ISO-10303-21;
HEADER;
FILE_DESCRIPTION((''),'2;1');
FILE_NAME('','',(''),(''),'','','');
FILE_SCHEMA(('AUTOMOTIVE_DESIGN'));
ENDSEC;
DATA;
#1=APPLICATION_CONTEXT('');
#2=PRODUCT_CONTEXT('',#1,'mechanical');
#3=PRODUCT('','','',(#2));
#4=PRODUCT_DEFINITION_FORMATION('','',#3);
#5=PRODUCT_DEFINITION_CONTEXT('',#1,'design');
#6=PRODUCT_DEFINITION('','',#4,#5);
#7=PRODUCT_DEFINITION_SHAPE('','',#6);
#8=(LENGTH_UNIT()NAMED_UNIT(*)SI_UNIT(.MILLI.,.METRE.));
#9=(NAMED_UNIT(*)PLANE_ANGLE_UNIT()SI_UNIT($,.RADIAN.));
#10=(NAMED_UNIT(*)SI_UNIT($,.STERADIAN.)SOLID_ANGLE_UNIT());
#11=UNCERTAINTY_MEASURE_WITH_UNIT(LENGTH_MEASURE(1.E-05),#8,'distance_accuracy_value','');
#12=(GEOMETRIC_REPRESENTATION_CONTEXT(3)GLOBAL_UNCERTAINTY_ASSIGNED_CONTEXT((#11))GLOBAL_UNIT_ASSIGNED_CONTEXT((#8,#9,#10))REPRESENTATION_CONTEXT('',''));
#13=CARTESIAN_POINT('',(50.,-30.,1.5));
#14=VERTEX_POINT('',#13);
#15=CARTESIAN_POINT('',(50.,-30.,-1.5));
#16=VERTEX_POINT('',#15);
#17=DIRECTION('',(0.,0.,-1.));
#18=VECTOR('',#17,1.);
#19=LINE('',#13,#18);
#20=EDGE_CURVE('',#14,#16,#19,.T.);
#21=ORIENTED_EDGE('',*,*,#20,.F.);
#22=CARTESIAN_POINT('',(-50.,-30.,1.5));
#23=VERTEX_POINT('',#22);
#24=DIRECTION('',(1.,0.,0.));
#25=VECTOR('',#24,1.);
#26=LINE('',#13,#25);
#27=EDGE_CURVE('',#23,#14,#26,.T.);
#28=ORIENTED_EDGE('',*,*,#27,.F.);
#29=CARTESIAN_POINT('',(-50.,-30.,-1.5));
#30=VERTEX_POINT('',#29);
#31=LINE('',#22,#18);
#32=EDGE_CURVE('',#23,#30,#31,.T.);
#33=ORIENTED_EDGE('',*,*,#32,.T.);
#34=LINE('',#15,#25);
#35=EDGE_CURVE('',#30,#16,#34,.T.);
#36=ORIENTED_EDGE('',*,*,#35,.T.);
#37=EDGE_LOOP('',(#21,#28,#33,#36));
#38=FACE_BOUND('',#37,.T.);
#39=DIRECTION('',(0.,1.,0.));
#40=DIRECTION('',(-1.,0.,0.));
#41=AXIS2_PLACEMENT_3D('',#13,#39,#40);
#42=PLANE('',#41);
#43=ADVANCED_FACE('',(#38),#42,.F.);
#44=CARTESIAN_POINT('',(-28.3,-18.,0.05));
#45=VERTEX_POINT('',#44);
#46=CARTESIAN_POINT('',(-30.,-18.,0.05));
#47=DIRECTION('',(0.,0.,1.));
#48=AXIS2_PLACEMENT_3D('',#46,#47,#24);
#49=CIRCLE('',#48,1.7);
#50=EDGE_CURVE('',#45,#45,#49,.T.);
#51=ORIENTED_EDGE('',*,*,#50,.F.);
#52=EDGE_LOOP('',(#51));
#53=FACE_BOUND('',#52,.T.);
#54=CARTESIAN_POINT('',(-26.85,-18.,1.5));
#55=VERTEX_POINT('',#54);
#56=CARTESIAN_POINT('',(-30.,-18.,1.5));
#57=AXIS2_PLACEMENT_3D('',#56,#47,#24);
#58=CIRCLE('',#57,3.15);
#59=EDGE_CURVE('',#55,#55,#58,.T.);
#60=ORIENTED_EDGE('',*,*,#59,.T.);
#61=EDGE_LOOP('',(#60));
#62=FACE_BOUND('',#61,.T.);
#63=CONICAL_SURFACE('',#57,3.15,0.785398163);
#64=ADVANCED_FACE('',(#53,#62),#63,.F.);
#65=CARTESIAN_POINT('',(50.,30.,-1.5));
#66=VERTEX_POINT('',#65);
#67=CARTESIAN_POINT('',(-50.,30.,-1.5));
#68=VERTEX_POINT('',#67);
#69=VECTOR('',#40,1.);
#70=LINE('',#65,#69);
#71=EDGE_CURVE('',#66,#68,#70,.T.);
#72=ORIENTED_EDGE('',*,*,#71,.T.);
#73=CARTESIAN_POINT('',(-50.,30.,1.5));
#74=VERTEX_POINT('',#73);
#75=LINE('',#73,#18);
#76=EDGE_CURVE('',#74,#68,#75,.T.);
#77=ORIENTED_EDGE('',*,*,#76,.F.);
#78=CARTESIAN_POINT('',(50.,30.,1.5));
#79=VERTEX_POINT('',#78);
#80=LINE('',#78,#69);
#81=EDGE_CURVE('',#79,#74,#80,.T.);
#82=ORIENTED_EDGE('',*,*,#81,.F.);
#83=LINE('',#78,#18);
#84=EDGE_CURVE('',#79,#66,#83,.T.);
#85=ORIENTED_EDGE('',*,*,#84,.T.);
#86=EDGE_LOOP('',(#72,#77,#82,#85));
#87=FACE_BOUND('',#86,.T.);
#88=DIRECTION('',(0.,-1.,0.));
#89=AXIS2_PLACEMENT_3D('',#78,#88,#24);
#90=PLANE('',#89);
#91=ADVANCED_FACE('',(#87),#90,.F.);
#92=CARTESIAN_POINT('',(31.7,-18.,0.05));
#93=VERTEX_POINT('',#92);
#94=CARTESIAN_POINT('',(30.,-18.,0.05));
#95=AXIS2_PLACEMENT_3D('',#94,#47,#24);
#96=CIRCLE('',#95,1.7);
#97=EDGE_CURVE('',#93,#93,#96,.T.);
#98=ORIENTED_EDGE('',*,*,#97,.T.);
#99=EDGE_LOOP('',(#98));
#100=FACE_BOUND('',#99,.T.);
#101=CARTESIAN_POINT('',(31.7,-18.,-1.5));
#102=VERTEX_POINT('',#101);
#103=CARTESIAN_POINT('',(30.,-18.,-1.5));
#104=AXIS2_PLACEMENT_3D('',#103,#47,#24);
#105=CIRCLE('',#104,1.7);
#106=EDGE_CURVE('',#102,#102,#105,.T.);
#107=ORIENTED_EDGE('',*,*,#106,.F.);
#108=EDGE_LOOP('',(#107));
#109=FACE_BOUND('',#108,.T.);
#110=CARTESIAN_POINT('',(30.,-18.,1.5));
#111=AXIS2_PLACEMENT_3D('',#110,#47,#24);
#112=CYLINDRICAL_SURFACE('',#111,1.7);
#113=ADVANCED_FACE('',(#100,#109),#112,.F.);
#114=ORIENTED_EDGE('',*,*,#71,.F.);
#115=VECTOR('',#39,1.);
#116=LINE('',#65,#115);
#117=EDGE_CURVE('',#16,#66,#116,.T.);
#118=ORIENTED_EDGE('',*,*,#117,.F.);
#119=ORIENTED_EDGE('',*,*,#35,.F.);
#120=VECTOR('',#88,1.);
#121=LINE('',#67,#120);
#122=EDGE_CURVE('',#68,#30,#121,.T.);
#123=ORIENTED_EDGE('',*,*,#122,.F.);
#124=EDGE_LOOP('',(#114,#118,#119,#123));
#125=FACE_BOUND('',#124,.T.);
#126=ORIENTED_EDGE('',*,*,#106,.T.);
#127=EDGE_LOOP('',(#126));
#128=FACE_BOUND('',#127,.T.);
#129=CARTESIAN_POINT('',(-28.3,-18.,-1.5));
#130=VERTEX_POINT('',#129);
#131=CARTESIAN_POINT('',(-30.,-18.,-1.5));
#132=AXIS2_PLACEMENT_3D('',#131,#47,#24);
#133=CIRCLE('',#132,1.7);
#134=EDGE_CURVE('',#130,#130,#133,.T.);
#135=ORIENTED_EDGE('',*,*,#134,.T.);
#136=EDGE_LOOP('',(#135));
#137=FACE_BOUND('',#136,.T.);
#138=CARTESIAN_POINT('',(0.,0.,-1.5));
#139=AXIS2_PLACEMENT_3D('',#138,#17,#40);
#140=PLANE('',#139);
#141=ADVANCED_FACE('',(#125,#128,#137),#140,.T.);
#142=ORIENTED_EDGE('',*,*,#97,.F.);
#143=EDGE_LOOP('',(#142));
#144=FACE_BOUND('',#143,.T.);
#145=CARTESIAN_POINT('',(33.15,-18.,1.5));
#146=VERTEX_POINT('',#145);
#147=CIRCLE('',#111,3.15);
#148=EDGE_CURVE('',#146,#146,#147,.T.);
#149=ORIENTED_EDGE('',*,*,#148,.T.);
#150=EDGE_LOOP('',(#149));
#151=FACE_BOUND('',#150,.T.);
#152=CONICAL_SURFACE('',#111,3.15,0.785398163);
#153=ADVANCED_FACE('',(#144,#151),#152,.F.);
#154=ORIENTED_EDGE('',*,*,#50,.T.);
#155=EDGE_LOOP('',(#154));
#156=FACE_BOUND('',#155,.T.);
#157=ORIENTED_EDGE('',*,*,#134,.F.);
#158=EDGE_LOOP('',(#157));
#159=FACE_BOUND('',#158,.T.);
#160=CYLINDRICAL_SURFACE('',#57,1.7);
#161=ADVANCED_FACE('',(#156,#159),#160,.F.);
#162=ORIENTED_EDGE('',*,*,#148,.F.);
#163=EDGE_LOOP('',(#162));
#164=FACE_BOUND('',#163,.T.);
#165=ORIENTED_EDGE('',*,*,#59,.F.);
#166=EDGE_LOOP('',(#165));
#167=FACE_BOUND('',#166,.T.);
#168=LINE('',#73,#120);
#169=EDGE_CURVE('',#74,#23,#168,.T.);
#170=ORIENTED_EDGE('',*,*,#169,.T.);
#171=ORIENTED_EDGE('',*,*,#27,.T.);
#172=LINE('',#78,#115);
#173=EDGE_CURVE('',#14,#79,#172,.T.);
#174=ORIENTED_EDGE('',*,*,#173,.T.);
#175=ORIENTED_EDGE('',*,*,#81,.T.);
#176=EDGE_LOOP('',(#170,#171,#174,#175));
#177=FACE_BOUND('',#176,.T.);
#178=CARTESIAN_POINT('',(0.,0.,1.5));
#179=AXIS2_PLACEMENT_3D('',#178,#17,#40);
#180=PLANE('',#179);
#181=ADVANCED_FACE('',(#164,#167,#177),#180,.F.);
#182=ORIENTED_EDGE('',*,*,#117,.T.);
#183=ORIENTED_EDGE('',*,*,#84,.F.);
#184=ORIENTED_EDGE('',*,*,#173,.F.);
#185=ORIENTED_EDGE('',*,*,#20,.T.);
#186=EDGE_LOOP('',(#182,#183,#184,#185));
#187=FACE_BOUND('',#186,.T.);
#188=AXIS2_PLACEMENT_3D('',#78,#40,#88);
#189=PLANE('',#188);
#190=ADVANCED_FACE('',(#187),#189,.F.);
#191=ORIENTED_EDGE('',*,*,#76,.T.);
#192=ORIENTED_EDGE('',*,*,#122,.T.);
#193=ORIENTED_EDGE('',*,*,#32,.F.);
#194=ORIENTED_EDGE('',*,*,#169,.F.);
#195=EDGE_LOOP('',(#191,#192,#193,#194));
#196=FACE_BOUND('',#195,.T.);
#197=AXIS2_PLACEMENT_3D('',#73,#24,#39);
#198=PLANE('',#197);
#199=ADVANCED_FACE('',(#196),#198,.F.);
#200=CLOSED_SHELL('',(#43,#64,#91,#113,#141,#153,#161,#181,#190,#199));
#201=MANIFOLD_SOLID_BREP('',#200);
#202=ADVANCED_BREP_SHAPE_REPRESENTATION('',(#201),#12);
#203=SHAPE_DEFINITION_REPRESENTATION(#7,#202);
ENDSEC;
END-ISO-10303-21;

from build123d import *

# Parameters (mm, degrees)
SKETCH1_W                                    = 100
SKETCH1_H                                    = 60
BOSS_EXTRUDE1_DEPTH                          = 1.5
CSK_FOR_M3_COUNTERSUNK_FLAT_HEAD_SCR_2_COUNT = 2
CSK_FOR_M3_COUNTERSUNK_FLAT_HEAD_SCR_2_PITCH = 60


with BuildPart() as part:
    # Sketch1 → Boss-Extrude1 (new, symmetric)
    with BuildSketch(Plane.XY):
        Rectangle(SKETCH1_W, SKETCH1_H)
    extrude(amount=BOSS_EXTRUDE1_DEPTH, both=True)

    # Sketch3 → CSK for M3 Countersunk Flat Head Screw1 (revolve, cut)
    with BuildSketch(Plane(origin=(-30, -18, 1.5), x_dir=(0, -1, 0), z_dir=(1, 0, 0))):
        Polygon((0, 0), (0, 3), (1.7, 3), (1.7, 1.45), (3.15, 0), align=None)
    csk_for_m3_countersunk_flat_head_screw1 = revolve(axis=Axis((-30, -18, 7.85), (0, 0, -1)), mode=Mode.SUBTRACT)

    # CSK for M3 Countersunk Flat Head Scr 2: CSK for M3 Countersunk Flat Head Screw1 ×2
    with Locations(*[(i * CSK_FOR_M3_COUNTERSUNK_FLAT_HEAD_SCR_2_PITCH, 0, 0) for i in range(1, CSK_FOR_M3_COUNTERSUNK_FLAT_HEAD_SCR_2_COUNT)]):
        add(csk_for_m3_countersunk_flat_head_screw1, mode=Mode.SUBTRACT)


solid = part.part
